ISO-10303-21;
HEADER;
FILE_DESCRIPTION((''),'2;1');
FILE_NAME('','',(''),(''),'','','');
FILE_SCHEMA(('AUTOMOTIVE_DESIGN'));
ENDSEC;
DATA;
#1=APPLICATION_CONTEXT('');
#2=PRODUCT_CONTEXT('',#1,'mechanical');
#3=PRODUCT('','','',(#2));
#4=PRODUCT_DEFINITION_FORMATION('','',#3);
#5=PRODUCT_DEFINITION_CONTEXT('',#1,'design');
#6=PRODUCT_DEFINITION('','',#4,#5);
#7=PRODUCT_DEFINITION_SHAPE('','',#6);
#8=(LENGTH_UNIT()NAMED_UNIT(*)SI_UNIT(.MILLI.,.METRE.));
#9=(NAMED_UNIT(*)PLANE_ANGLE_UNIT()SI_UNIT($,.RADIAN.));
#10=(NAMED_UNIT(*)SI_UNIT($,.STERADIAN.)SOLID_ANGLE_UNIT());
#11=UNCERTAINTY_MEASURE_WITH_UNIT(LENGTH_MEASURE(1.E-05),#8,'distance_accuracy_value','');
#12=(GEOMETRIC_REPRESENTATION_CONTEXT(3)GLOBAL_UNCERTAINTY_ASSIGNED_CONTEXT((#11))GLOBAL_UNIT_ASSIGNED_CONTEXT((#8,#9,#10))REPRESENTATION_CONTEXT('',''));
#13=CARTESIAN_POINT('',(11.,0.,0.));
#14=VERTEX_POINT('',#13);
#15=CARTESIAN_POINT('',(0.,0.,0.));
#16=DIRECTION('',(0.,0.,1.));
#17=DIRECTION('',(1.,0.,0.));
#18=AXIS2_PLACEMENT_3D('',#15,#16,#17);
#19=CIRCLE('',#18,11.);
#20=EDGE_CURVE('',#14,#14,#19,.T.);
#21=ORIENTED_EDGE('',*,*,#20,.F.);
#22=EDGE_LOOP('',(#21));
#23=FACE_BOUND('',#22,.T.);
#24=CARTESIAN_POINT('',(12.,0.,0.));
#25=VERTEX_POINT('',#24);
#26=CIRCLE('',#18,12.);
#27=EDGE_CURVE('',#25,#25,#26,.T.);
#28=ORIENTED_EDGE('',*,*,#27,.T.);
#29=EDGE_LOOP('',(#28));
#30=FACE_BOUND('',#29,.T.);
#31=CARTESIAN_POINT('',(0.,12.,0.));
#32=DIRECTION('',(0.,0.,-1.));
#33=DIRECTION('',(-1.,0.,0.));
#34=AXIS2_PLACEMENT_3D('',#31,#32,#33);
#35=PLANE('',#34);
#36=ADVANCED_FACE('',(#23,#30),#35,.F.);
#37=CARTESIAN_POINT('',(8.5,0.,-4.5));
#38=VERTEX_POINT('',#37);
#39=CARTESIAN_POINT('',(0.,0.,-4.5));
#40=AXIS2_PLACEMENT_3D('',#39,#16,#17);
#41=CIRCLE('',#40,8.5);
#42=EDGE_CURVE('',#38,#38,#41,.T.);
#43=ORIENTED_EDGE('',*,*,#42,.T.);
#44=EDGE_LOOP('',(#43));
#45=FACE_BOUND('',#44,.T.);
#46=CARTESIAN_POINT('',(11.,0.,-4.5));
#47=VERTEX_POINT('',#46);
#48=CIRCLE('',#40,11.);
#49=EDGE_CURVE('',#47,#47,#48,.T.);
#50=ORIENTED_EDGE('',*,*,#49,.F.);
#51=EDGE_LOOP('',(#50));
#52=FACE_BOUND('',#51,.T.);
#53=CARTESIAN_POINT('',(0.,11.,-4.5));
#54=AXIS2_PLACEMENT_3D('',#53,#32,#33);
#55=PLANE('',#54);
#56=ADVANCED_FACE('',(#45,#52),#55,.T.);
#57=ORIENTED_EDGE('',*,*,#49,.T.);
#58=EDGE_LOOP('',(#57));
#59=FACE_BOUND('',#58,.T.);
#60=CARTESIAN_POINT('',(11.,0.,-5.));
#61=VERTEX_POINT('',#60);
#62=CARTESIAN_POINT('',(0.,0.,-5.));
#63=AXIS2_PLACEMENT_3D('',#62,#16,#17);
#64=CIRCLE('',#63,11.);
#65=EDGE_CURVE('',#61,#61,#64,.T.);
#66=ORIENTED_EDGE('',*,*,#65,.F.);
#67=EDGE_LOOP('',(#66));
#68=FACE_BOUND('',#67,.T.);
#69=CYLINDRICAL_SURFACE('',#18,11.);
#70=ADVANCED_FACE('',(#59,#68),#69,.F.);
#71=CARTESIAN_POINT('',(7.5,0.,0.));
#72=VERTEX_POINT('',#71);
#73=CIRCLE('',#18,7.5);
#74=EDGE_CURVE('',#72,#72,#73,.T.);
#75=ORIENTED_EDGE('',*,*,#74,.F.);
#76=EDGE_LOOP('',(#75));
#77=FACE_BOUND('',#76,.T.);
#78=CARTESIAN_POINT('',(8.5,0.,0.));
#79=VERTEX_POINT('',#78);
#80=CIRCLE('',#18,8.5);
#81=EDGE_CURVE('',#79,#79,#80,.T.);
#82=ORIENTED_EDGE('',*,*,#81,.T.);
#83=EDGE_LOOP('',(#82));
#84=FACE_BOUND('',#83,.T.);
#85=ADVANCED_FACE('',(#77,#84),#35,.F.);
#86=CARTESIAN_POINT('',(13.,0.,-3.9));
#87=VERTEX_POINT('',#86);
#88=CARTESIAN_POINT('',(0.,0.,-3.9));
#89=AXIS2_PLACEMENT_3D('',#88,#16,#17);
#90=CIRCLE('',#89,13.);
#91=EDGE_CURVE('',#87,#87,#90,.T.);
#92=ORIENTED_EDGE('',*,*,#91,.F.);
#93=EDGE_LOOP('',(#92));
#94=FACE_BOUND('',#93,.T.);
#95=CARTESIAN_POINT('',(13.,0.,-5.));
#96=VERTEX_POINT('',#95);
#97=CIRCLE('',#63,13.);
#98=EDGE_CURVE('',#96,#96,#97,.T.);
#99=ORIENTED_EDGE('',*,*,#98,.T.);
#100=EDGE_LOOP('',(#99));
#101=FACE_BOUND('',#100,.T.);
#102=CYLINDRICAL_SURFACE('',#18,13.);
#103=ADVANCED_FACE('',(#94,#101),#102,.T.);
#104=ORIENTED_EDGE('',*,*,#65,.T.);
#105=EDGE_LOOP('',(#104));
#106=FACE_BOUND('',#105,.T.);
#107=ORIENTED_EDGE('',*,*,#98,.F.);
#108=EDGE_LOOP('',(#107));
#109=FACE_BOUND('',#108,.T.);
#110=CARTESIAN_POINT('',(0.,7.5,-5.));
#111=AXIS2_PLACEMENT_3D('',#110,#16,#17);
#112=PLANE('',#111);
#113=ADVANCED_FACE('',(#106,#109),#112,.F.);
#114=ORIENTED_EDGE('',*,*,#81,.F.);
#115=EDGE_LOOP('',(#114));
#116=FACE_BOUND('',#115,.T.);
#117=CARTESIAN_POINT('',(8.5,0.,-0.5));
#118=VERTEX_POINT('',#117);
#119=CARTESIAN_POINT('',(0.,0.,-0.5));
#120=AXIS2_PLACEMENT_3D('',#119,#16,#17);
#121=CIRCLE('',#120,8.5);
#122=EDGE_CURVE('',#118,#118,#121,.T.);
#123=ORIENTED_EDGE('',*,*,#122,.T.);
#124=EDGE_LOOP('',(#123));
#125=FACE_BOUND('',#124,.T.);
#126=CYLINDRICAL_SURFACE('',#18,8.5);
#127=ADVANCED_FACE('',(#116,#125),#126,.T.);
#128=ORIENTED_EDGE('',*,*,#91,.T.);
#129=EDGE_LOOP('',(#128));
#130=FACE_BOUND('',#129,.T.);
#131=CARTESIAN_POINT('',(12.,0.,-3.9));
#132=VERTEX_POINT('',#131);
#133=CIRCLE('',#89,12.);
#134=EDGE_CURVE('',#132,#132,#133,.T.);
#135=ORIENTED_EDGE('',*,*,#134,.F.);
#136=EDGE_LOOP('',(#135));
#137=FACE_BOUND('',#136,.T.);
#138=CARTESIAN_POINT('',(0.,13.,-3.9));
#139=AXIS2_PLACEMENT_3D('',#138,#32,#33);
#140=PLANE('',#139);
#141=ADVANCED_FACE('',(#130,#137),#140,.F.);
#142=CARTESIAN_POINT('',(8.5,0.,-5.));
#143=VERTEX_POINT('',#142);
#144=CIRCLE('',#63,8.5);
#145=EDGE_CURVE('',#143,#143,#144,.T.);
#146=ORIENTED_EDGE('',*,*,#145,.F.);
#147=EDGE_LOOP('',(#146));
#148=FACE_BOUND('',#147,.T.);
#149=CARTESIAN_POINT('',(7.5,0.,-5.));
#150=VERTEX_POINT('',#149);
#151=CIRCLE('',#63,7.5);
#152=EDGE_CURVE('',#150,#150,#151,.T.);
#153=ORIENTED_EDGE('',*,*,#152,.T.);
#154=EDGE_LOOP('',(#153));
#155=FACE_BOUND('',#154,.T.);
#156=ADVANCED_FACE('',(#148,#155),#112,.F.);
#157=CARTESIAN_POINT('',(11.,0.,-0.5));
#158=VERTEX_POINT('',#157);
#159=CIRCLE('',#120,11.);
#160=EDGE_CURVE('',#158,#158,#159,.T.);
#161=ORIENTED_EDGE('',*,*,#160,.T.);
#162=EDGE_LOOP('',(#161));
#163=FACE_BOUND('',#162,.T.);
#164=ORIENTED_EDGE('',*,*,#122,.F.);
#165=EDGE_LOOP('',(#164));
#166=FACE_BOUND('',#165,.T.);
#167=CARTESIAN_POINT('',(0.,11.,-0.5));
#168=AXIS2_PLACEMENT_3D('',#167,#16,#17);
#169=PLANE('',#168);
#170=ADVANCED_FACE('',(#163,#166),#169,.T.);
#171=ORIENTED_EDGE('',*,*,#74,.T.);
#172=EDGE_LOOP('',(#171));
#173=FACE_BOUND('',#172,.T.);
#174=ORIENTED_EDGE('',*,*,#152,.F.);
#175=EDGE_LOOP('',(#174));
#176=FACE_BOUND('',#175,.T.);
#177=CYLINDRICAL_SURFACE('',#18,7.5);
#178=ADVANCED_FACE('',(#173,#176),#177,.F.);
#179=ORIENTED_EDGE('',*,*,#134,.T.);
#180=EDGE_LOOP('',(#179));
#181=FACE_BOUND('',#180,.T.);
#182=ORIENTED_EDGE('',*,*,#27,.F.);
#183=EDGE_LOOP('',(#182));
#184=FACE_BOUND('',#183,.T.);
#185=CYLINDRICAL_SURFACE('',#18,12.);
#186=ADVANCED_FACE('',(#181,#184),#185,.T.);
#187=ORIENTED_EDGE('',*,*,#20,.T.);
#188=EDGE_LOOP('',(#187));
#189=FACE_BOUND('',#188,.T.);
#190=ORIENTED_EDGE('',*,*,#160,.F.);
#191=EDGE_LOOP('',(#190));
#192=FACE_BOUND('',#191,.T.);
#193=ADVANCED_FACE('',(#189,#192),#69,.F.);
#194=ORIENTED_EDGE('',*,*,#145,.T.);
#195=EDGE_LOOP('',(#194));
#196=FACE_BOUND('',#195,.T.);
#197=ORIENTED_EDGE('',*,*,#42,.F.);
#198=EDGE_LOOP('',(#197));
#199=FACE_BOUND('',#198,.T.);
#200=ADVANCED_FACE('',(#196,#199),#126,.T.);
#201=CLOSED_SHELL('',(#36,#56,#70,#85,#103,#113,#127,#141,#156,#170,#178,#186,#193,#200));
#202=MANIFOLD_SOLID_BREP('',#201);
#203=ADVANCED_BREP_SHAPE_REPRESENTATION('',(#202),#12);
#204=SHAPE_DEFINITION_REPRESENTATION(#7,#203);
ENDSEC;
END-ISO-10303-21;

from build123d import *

# Parameters (mm, degrees)
SKETCH_2_W = 0.5
SKETCH_2_H = 2.5


with BuildPart() as part:
    # ｽｹｯﾁ1 → 回転1 (revolve)
    with BuildSketch(Plane(origin=(0, 0, 0), x_dir=(0, 0, -1), z_dir=(1, 0, 0)), mode=Mode.PRIVATE) as revolve_1_sk:
        Polygon((0, 7.5), (5, 7.5), (5, 13), (3.9, 13), (3.9, 12), (0, 12), align=None)
    revolve(revolve_1_sk.sketch.rotate(Axis((0, 0, 0), (0, 0, -1)), 90), axis=Axis((0, 0, 0), (0, 0, -1)))

    # ｽｹｯﾁ2 → ｶｯﾄ - 回転1 (revolve, cut)
    with BuildSketch(Plane(origin=(0, 0, 0), x_dir=(0, 0, -1), z_dir=(1, 0, 0)), mode=Mode.PRIVATE) as cut_revolve_1_sk:
        with Locations((0.25, 9.75)):
            Rectangle(SKETCH_2_W, SKETCH_2_H)
        with Locations((4.75, 9.75)):
            Rectangle(SKETCH_2_W, SKETCH_2_H)
    revolve(cut_revolve_1_sk.sketch.rotate(Axis((0, 0, 0), (0, 0, -1)), 90), axis=Axis((0, 0, 0), (0, 0, -1)), mode=Mode.SUBTRACT)


solid = part.part
